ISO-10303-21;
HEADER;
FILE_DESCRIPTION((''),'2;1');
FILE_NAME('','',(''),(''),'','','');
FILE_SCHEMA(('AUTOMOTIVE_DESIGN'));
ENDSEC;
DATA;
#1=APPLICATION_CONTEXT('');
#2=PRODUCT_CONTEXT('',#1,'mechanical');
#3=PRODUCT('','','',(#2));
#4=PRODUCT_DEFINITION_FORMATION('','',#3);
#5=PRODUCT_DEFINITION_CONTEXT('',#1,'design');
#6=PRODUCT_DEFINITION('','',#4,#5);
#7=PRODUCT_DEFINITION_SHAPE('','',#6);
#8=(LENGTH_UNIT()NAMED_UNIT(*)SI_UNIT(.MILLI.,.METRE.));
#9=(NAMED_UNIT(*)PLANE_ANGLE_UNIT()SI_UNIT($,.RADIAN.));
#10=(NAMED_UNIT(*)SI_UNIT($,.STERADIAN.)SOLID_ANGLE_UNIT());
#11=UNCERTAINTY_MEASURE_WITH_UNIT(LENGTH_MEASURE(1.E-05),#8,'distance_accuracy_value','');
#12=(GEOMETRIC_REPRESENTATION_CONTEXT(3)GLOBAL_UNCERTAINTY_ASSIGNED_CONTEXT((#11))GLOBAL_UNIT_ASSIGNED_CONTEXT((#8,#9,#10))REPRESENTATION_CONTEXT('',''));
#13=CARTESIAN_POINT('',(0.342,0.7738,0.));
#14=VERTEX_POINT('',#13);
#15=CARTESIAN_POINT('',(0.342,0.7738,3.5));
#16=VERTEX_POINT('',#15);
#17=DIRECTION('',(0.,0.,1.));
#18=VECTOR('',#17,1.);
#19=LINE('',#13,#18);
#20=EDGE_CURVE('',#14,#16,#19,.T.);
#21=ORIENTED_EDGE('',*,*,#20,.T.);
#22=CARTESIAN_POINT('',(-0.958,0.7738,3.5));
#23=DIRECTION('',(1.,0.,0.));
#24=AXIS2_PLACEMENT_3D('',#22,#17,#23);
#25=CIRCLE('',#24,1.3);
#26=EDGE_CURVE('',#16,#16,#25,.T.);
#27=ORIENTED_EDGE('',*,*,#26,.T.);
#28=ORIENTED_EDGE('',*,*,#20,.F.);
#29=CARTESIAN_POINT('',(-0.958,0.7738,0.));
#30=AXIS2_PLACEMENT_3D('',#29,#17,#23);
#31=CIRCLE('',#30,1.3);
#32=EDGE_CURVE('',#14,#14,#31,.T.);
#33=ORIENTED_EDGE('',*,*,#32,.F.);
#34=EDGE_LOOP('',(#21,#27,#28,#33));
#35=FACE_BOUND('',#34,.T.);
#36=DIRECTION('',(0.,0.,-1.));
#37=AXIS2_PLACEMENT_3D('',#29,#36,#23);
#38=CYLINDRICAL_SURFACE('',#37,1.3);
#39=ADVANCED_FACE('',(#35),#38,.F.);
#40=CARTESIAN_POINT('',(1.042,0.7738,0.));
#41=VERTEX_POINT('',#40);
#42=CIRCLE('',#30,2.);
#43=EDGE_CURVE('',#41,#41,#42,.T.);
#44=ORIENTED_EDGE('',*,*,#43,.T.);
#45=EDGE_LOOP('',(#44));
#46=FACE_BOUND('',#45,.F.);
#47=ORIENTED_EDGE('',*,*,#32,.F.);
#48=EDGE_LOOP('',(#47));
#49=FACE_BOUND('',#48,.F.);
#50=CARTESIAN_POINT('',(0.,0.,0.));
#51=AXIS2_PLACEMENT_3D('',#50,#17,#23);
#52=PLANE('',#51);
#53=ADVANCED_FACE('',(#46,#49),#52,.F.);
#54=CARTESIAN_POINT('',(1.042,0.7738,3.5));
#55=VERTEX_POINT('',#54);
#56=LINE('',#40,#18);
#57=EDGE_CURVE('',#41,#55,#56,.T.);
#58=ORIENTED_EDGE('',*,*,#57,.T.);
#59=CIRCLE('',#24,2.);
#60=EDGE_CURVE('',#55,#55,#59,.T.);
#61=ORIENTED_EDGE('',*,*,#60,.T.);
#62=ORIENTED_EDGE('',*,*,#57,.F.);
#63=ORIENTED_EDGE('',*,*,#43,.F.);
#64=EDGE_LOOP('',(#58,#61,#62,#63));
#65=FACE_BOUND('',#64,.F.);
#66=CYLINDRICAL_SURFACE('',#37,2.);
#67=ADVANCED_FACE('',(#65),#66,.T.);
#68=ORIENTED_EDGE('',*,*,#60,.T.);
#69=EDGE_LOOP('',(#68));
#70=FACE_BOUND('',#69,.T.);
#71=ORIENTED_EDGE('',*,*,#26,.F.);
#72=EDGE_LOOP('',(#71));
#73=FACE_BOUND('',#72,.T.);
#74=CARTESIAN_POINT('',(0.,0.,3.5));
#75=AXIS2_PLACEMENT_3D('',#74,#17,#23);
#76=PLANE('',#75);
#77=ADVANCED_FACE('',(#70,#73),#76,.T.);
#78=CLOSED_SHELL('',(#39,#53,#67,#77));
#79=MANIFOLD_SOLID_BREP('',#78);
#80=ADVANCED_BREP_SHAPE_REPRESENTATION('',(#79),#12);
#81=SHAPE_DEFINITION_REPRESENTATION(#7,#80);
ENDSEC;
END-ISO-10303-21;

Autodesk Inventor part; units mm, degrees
ref_plane "YZ Plane" through (0, 0, 0) normal (1, 0, 0) x (0, 1, 0)
ref_plane "XZ Plane" through (0, 0, 0) normal (0, 1, 0) x (-1, 0, 0)
ref_plane "XY Plane" through (0, 0, 0) normal (0, 0, 1) x (1, 0, 0)
sketch "Sketch6" plane through (0, 0, 0) normal (0, 0, 1) x (1, 0, 0)
  circle A0 centre (-0.958, 0.7738) radius 1.3
  circle A1 centre (-0.958, 0.7738) radius 2
  point P0 (0, 0)
  dimension "d85" = 4
  dimension "d86" = 2.6
extrude "Extrusion3" add sketch "Sketch6" along normal blind 3.5
properties part number "spacer 3.5mm"
